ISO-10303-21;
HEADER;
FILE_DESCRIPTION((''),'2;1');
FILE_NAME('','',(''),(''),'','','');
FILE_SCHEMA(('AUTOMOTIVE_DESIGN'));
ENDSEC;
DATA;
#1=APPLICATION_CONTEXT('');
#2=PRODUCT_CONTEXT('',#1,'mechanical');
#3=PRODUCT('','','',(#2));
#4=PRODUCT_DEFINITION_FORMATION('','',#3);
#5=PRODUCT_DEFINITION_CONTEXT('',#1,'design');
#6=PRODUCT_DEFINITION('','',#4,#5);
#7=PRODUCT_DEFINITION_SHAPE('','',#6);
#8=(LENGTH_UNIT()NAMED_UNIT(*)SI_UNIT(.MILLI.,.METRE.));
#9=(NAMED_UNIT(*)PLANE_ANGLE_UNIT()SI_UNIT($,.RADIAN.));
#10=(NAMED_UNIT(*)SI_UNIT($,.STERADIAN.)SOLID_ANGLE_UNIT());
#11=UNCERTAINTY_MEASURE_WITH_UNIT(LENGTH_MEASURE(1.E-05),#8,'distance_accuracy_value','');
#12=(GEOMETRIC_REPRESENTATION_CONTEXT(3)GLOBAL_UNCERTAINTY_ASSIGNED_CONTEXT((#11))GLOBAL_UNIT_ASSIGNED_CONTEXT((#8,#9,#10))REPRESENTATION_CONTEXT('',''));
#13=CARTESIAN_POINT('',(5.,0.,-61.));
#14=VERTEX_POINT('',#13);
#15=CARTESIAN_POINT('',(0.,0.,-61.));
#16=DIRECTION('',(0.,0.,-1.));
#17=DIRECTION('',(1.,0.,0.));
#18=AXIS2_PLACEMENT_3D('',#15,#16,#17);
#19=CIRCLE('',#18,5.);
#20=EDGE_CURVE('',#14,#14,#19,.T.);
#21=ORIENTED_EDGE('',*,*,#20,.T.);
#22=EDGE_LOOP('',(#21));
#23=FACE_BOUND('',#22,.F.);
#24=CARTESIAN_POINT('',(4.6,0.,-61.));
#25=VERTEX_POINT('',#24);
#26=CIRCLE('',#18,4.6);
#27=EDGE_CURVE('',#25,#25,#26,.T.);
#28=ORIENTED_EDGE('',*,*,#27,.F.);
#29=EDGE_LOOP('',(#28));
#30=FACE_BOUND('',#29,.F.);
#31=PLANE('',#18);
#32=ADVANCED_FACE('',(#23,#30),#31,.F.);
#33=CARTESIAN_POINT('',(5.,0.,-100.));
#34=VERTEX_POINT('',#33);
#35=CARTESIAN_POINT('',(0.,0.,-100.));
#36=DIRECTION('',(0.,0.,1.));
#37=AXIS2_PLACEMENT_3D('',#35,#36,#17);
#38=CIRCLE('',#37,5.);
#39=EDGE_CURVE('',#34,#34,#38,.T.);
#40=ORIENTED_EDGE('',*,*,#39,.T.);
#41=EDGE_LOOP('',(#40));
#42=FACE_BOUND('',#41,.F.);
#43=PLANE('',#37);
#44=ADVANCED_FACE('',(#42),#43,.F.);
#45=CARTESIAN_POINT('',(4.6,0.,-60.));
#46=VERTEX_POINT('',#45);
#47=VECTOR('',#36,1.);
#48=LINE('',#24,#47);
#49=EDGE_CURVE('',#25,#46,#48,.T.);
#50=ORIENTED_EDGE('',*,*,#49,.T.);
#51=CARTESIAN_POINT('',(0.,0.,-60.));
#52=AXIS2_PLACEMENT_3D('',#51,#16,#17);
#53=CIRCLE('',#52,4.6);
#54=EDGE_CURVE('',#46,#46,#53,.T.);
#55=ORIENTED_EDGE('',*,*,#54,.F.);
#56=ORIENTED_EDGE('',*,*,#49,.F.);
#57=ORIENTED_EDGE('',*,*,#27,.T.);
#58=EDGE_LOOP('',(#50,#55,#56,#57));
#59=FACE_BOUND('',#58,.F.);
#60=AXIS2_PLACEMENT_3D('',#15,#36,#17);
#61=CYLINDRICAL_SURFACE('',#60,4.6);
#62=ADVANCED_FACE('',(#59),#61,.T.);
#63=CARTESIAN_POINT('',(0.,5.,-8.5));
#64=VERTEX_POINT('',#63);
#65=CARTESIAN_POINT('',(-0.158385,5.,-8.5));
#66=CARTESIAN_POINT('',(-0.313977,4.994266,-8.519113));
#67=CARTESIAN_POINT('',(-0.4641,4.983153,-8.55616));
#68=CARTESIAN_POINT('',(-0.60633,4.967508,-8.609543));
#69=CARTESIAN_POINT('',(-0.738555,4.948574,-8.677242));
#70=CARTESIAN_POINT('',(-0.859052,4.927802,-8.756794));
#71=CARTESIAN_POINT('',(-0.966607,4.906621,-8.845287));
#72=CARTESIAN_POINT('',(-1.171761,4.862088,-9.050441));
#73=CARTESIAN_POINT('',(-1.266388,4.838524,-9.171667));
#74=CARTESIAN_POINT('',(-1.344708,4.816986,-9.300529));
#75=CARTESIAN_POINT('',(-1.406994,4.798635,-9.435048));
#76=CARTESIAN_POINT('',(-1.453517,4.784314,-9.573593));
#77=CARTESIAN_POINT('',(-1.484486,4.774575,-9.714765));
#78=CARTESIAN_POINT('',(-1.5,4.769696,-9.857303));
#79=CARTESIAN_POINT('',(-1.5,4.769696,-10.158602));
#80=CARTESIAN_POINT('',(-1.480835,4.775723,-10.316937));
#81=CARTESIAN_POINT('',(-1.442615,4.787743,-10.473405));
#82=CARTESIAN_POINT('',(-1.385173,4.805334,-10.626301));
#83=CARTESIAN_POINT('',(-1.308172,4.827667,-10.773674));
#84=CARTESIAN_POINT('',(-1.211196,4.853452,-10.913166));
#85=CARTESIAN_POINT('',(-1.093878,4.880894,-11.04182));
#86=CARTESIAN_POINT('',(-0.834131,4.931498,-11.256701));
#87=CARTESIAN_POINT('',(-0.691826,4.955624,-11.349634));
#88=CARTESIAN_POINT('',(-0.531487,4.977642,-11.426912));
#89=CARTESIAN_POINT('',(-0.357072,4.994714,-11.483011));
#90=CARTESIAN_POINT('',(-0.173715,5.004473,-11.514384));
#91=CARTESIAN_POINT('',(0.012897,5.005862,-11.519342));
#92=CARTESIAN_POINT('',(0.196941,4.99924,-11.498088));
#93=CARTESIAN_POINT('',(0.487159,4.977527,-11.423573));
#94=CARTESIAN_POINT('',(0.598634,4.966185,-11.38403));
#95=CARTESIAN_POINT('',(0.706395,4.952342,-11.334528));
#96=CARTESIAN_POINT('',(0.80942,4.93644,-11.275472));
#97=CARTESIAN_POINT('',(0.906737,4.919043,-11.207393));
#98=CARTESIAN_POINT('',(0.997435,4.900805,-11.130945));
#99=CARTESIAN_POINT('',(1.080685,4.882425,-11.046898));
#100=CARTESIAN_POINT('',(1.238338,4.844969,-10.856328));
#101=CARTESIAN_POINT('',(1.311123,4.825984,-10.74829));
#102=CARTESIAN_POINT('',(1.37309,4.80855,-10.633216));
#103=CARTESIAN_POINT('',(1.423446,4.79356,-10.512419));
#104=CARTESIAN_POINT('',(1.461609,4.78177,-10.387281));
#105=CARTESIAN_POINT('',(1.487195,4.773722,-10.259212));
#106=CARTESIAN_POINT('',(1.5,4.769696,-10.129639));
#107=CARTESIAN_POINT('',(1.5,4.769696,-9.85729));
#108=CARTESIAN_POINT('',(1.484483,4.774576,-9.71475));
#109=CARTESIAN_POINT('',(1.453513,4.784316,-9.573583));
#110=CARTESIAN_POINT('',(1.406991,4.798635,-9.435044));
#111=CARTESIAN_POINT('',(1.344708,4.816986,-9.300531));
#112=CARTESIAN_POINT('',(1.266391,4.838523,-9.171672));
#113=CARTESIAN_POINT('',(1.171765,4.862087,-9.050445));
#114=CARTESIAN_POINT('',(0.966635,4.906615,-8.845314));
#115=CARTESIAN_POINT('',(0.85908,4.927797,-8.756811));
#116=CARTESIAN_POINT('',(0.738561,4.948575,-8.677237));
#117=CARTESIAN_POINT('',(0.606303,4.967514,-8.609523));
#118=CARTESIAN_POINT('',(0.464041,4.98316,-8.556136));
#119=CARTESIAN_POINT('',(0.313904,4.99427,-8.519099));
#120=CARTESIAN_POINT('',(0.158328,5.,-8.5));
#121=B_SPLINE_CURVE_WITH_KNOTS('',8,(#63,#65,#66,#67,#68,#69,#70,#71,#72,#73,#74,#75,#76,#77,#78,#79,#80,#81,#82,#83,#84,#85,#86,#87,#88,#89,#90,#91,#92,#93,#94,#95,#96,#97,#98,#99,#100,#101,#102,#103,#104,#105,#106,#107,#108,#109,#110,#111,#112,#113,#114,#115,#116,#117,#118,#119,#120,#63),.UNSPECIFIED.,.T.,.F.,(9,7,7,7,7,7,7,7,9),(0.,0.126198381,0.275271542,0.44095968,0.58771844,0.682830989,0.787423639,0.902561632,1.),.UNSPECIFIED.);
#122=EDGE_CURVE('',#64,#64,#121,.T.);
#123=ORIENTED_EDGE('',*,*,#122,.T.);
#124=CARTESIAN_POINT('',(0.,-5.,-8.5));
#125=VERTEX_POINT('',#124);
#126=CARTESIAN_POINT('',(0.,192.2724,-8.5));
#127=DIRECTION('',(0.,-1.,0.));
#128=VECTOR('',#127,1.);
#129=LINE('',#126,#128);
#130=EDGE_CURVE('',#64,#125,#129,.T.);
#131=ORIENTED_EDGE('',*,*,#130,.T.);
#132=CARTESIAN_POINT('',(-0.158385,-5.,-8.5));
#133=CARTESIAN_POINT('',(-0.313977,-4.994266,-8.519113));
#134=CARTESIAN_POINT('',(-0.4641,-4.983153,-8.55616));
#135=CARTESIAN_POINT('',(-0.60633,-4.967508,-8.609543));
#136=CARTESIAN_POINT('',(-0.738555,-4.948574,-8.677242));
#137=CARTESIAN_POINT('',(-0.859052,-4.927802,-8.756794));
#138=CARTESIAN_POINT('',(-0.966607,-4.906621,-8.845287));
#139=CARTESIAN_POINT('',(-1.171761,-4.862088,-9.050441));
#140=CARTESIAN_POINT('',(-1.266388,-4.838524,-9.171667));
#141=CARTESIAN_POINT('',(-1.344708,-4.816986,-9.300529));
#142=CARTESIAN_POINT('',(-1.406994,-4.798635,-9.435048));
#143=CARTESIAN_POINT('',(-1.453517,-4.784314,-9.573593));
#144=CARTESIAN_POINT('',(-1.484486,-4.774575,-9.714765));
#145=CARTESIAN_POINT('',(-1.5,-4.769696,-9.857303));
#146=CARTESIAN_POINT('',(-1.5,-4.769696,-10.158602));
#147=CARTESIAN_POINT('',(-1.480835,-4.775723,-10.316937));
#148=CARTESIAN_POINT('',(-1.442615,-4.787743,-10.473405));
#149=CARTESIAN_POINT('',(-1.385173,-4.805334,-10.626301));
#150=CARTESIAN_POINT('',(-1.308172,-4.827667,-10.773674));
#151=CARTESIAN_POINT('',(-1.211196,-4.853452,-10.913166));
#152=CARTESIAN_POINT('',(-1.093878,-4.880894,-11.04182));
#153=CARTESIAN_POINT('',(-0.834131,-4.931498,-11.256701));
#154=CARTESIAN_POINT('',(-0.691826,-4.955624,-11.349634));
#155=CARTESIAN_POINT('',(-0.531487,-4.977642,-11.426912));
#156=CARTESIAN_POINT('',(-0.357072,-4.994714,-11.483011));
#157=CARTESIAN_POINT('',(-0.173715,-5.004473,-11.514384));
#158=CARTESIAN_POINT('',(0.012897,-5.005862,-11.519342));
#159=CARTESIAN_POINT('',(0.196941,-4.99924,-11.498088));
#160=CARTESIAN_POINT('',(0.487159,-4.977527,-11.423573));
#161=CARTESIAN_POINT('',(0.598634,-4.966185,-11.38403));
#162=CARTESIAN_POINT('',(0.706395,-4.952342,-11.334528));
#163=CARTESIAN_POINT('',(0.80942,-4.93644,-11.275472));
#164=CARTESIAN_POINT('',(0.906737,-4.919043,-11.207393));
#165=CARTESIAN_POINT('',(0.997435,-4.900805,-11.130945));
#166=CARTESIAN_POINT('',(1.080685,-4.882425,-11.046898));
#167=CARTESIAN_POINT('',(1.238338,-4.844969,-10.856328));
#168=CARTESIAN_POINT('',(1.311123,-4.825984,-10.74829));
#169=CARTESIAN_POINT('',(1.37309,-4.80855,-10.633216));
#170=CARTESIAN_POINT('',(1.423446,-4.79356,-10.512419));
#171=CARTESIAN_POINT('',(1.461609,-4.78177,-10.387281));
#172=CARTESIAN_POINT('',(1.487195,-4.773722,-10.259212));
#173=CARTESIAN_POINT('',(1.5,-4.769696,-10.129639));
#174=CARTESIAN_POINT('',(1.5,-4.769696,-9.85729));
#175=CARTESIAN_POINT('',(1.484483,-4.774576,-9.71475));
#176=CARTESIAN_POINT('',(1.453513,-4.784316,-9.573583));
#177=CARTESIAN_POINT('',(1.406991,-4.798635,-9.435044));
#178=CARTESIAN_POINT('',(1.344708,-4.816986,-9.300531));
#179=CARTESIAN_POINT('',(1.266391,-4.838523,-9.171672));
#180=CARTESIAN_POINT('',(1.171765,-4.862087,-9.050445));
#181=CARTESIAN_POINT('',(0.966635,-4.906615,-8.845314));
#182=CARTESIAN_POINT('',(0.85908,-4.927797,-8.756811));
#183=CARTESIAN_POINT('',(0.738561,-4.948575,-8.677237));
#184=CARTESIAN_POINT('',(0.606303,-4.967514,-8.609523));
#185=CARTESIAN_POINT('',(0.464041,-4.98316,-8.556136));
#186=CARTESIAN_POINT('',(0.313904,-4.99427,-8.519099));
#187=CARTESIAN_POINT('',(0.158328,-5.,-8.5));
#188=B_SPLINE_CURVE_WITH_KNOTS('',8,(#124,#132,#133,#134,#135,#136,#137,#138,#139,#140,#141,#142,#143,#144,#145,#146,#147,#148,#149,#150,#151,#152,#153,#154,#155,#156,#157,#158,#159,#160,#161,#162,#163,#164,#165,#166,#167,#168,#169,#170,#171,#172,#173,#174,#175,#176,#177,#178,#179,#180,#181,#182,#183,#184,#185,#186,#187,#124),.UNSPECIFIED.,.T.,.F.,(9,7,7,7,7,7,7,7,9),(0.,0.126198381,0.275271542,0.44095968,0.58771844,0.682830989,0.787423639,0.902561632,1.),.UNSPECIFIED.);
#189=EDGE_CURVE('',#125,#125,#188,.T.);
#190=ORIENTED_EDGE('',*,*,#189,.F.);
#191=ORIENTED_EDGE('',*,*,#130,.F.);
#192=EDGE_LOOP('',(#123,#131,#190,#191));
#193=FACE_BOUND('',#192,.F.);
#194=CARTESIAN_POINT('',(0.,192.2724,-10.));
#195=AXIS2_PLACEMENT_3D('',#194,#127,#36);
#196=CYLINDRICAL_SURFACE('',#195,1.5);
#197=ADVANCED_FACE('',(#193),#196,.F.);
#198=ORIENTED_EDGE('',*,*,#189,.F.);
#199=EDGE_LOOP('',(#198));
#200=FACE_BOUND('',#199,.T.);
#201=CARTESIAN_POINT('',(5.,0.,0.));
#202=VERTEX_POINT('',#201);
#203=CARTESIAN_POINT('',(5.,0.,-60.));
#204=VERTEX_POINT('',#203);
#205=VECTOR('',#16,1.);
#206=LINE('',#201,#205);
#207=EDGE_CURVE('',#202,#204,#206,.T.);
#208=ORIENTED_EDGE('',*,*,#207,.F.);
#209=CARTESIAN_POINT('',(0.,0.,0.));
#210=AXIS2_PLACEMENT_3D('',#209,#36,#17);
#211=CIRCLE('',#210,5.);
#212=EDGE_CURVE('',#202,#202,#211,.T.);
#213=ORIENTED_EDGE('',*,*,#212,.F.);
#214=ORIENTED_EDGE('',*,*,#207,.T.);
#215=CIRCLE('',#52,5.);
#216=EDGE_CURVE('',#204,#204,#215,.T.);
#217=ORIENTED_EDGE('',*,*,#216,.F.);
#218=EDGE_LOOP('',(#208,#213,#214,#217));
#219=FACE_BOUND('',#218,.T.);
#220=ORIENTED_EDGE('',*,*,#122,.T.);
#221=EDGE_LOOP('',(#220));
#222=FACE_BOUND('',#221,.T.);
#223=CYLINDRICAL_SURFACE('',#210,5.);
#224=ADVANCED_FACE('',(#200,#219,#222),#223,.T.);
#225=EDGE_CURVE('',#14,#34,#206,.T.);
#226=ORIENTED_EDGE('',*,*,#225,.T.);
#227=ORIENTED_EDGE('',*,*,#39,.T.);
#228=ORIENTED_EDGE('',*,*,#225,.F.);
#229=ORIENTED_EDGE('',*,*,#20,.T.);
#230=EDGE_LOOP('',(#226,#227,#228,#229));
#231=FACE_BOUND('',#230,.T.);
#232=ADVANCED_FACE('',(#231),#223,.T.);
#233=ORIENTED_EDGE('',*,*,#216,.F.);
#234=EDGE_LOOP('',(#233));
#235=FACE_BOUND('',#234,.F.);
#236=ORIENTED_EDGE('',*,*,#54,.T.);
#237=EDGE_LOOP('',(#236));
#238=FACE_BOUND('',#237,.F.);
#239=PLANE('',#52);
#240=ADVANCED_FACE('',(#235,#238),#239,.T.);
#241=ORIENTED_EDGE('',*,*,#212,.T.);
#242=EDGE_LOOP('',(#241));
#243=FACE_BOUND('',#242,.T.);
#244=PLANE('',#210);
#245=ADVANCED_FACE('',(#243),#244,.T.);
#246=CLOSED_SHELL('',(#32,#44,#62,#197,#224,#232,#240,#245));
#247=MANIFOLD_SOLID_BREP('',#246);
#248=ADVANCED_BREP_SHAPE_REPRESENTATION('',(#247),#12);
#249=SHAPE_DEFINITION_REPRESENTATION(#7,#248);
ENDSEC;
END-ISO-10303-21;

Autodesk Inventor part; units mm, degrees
ref_plane "YZ Plane" through (0, 0, 0) normal (1, 0, 0) x (0, 1, 0)
ref_plane "XZ Plane" through (0, 0, 0) normal (0, 1, 0) x (-1, 0, 0)
ref_plane "XY Plane" through (0, 0, 0) normal (0, 0, 1) x (1, 0, 0)
sketch "Sketch3" plane through (0, 0, 0) normal (0, 0, 1) x (1, 0, 0)
  circle A0 centre (0, 0) radius 5
  dimension "d0" = 10
extrude "Extrusion1" add sketch "Sketch3" against normal blind 100
sketch "Sketch4" plane through (0, 0, 0) normal (0, 1, 0) x (-1, 0, 0)
  circle A0 centre (0, -10) radius 1.5
  line L0 (5, 0) -> (-5, 0) projected
  point P0 (0, 0)
  dimension "d3" = 3
  dimension "d11" = 10
hole "Hole1" at (0, 0, -10) direction (0, -1, 0) diameter 3 end through all both
sketch "Sketch14" plane through (0, 0, 0) normal (0, 1, 0) x (-1, 0, 0)
  line L0 (-5, 0) -> (-5, -100) projected
  line L1 (-5, -61) -> (-4.6, -61)
  line L2 (-4.6, -61) -> (-4.6, -60)
  line L3 (-4.6, -60) -> (-5, -60)
  line L4 (-5, -60) -> (-5, -61)
  line L5 (5, 0) -> (-5, 0) projected
  line L6 (0, -120) -> (0, 20) projected
  point P0 (0, 0)
  dimension "d22" = 60
  dimension "d23" = 0.4
  dimension "d24" = 1
revolve "Revolution2" cut sketch "Sketch14" angle 360 about axis through (0, 0, 0) along (0, 0, -1)
equation "\"BendRadius\" = Thickness"
equation "\"BendReliefWidth\" = Thickness"
equation "\"BendReliefDepth\" = 0.5 * Thickness"
equation "\"CornerReliefSize\" = 4 * Thickness"
equation "\"MinimumRemnant\" = 2 * Thickness"
equation "\"TransitionRadius\" = BendRadius"
equation "\"JacobiRadiusSize\" = BendRadius"
equation "\"GapSize\" = Thickness"
equation "\"Thickness\" = 3.048"
properties part number "Shaft_piston"
